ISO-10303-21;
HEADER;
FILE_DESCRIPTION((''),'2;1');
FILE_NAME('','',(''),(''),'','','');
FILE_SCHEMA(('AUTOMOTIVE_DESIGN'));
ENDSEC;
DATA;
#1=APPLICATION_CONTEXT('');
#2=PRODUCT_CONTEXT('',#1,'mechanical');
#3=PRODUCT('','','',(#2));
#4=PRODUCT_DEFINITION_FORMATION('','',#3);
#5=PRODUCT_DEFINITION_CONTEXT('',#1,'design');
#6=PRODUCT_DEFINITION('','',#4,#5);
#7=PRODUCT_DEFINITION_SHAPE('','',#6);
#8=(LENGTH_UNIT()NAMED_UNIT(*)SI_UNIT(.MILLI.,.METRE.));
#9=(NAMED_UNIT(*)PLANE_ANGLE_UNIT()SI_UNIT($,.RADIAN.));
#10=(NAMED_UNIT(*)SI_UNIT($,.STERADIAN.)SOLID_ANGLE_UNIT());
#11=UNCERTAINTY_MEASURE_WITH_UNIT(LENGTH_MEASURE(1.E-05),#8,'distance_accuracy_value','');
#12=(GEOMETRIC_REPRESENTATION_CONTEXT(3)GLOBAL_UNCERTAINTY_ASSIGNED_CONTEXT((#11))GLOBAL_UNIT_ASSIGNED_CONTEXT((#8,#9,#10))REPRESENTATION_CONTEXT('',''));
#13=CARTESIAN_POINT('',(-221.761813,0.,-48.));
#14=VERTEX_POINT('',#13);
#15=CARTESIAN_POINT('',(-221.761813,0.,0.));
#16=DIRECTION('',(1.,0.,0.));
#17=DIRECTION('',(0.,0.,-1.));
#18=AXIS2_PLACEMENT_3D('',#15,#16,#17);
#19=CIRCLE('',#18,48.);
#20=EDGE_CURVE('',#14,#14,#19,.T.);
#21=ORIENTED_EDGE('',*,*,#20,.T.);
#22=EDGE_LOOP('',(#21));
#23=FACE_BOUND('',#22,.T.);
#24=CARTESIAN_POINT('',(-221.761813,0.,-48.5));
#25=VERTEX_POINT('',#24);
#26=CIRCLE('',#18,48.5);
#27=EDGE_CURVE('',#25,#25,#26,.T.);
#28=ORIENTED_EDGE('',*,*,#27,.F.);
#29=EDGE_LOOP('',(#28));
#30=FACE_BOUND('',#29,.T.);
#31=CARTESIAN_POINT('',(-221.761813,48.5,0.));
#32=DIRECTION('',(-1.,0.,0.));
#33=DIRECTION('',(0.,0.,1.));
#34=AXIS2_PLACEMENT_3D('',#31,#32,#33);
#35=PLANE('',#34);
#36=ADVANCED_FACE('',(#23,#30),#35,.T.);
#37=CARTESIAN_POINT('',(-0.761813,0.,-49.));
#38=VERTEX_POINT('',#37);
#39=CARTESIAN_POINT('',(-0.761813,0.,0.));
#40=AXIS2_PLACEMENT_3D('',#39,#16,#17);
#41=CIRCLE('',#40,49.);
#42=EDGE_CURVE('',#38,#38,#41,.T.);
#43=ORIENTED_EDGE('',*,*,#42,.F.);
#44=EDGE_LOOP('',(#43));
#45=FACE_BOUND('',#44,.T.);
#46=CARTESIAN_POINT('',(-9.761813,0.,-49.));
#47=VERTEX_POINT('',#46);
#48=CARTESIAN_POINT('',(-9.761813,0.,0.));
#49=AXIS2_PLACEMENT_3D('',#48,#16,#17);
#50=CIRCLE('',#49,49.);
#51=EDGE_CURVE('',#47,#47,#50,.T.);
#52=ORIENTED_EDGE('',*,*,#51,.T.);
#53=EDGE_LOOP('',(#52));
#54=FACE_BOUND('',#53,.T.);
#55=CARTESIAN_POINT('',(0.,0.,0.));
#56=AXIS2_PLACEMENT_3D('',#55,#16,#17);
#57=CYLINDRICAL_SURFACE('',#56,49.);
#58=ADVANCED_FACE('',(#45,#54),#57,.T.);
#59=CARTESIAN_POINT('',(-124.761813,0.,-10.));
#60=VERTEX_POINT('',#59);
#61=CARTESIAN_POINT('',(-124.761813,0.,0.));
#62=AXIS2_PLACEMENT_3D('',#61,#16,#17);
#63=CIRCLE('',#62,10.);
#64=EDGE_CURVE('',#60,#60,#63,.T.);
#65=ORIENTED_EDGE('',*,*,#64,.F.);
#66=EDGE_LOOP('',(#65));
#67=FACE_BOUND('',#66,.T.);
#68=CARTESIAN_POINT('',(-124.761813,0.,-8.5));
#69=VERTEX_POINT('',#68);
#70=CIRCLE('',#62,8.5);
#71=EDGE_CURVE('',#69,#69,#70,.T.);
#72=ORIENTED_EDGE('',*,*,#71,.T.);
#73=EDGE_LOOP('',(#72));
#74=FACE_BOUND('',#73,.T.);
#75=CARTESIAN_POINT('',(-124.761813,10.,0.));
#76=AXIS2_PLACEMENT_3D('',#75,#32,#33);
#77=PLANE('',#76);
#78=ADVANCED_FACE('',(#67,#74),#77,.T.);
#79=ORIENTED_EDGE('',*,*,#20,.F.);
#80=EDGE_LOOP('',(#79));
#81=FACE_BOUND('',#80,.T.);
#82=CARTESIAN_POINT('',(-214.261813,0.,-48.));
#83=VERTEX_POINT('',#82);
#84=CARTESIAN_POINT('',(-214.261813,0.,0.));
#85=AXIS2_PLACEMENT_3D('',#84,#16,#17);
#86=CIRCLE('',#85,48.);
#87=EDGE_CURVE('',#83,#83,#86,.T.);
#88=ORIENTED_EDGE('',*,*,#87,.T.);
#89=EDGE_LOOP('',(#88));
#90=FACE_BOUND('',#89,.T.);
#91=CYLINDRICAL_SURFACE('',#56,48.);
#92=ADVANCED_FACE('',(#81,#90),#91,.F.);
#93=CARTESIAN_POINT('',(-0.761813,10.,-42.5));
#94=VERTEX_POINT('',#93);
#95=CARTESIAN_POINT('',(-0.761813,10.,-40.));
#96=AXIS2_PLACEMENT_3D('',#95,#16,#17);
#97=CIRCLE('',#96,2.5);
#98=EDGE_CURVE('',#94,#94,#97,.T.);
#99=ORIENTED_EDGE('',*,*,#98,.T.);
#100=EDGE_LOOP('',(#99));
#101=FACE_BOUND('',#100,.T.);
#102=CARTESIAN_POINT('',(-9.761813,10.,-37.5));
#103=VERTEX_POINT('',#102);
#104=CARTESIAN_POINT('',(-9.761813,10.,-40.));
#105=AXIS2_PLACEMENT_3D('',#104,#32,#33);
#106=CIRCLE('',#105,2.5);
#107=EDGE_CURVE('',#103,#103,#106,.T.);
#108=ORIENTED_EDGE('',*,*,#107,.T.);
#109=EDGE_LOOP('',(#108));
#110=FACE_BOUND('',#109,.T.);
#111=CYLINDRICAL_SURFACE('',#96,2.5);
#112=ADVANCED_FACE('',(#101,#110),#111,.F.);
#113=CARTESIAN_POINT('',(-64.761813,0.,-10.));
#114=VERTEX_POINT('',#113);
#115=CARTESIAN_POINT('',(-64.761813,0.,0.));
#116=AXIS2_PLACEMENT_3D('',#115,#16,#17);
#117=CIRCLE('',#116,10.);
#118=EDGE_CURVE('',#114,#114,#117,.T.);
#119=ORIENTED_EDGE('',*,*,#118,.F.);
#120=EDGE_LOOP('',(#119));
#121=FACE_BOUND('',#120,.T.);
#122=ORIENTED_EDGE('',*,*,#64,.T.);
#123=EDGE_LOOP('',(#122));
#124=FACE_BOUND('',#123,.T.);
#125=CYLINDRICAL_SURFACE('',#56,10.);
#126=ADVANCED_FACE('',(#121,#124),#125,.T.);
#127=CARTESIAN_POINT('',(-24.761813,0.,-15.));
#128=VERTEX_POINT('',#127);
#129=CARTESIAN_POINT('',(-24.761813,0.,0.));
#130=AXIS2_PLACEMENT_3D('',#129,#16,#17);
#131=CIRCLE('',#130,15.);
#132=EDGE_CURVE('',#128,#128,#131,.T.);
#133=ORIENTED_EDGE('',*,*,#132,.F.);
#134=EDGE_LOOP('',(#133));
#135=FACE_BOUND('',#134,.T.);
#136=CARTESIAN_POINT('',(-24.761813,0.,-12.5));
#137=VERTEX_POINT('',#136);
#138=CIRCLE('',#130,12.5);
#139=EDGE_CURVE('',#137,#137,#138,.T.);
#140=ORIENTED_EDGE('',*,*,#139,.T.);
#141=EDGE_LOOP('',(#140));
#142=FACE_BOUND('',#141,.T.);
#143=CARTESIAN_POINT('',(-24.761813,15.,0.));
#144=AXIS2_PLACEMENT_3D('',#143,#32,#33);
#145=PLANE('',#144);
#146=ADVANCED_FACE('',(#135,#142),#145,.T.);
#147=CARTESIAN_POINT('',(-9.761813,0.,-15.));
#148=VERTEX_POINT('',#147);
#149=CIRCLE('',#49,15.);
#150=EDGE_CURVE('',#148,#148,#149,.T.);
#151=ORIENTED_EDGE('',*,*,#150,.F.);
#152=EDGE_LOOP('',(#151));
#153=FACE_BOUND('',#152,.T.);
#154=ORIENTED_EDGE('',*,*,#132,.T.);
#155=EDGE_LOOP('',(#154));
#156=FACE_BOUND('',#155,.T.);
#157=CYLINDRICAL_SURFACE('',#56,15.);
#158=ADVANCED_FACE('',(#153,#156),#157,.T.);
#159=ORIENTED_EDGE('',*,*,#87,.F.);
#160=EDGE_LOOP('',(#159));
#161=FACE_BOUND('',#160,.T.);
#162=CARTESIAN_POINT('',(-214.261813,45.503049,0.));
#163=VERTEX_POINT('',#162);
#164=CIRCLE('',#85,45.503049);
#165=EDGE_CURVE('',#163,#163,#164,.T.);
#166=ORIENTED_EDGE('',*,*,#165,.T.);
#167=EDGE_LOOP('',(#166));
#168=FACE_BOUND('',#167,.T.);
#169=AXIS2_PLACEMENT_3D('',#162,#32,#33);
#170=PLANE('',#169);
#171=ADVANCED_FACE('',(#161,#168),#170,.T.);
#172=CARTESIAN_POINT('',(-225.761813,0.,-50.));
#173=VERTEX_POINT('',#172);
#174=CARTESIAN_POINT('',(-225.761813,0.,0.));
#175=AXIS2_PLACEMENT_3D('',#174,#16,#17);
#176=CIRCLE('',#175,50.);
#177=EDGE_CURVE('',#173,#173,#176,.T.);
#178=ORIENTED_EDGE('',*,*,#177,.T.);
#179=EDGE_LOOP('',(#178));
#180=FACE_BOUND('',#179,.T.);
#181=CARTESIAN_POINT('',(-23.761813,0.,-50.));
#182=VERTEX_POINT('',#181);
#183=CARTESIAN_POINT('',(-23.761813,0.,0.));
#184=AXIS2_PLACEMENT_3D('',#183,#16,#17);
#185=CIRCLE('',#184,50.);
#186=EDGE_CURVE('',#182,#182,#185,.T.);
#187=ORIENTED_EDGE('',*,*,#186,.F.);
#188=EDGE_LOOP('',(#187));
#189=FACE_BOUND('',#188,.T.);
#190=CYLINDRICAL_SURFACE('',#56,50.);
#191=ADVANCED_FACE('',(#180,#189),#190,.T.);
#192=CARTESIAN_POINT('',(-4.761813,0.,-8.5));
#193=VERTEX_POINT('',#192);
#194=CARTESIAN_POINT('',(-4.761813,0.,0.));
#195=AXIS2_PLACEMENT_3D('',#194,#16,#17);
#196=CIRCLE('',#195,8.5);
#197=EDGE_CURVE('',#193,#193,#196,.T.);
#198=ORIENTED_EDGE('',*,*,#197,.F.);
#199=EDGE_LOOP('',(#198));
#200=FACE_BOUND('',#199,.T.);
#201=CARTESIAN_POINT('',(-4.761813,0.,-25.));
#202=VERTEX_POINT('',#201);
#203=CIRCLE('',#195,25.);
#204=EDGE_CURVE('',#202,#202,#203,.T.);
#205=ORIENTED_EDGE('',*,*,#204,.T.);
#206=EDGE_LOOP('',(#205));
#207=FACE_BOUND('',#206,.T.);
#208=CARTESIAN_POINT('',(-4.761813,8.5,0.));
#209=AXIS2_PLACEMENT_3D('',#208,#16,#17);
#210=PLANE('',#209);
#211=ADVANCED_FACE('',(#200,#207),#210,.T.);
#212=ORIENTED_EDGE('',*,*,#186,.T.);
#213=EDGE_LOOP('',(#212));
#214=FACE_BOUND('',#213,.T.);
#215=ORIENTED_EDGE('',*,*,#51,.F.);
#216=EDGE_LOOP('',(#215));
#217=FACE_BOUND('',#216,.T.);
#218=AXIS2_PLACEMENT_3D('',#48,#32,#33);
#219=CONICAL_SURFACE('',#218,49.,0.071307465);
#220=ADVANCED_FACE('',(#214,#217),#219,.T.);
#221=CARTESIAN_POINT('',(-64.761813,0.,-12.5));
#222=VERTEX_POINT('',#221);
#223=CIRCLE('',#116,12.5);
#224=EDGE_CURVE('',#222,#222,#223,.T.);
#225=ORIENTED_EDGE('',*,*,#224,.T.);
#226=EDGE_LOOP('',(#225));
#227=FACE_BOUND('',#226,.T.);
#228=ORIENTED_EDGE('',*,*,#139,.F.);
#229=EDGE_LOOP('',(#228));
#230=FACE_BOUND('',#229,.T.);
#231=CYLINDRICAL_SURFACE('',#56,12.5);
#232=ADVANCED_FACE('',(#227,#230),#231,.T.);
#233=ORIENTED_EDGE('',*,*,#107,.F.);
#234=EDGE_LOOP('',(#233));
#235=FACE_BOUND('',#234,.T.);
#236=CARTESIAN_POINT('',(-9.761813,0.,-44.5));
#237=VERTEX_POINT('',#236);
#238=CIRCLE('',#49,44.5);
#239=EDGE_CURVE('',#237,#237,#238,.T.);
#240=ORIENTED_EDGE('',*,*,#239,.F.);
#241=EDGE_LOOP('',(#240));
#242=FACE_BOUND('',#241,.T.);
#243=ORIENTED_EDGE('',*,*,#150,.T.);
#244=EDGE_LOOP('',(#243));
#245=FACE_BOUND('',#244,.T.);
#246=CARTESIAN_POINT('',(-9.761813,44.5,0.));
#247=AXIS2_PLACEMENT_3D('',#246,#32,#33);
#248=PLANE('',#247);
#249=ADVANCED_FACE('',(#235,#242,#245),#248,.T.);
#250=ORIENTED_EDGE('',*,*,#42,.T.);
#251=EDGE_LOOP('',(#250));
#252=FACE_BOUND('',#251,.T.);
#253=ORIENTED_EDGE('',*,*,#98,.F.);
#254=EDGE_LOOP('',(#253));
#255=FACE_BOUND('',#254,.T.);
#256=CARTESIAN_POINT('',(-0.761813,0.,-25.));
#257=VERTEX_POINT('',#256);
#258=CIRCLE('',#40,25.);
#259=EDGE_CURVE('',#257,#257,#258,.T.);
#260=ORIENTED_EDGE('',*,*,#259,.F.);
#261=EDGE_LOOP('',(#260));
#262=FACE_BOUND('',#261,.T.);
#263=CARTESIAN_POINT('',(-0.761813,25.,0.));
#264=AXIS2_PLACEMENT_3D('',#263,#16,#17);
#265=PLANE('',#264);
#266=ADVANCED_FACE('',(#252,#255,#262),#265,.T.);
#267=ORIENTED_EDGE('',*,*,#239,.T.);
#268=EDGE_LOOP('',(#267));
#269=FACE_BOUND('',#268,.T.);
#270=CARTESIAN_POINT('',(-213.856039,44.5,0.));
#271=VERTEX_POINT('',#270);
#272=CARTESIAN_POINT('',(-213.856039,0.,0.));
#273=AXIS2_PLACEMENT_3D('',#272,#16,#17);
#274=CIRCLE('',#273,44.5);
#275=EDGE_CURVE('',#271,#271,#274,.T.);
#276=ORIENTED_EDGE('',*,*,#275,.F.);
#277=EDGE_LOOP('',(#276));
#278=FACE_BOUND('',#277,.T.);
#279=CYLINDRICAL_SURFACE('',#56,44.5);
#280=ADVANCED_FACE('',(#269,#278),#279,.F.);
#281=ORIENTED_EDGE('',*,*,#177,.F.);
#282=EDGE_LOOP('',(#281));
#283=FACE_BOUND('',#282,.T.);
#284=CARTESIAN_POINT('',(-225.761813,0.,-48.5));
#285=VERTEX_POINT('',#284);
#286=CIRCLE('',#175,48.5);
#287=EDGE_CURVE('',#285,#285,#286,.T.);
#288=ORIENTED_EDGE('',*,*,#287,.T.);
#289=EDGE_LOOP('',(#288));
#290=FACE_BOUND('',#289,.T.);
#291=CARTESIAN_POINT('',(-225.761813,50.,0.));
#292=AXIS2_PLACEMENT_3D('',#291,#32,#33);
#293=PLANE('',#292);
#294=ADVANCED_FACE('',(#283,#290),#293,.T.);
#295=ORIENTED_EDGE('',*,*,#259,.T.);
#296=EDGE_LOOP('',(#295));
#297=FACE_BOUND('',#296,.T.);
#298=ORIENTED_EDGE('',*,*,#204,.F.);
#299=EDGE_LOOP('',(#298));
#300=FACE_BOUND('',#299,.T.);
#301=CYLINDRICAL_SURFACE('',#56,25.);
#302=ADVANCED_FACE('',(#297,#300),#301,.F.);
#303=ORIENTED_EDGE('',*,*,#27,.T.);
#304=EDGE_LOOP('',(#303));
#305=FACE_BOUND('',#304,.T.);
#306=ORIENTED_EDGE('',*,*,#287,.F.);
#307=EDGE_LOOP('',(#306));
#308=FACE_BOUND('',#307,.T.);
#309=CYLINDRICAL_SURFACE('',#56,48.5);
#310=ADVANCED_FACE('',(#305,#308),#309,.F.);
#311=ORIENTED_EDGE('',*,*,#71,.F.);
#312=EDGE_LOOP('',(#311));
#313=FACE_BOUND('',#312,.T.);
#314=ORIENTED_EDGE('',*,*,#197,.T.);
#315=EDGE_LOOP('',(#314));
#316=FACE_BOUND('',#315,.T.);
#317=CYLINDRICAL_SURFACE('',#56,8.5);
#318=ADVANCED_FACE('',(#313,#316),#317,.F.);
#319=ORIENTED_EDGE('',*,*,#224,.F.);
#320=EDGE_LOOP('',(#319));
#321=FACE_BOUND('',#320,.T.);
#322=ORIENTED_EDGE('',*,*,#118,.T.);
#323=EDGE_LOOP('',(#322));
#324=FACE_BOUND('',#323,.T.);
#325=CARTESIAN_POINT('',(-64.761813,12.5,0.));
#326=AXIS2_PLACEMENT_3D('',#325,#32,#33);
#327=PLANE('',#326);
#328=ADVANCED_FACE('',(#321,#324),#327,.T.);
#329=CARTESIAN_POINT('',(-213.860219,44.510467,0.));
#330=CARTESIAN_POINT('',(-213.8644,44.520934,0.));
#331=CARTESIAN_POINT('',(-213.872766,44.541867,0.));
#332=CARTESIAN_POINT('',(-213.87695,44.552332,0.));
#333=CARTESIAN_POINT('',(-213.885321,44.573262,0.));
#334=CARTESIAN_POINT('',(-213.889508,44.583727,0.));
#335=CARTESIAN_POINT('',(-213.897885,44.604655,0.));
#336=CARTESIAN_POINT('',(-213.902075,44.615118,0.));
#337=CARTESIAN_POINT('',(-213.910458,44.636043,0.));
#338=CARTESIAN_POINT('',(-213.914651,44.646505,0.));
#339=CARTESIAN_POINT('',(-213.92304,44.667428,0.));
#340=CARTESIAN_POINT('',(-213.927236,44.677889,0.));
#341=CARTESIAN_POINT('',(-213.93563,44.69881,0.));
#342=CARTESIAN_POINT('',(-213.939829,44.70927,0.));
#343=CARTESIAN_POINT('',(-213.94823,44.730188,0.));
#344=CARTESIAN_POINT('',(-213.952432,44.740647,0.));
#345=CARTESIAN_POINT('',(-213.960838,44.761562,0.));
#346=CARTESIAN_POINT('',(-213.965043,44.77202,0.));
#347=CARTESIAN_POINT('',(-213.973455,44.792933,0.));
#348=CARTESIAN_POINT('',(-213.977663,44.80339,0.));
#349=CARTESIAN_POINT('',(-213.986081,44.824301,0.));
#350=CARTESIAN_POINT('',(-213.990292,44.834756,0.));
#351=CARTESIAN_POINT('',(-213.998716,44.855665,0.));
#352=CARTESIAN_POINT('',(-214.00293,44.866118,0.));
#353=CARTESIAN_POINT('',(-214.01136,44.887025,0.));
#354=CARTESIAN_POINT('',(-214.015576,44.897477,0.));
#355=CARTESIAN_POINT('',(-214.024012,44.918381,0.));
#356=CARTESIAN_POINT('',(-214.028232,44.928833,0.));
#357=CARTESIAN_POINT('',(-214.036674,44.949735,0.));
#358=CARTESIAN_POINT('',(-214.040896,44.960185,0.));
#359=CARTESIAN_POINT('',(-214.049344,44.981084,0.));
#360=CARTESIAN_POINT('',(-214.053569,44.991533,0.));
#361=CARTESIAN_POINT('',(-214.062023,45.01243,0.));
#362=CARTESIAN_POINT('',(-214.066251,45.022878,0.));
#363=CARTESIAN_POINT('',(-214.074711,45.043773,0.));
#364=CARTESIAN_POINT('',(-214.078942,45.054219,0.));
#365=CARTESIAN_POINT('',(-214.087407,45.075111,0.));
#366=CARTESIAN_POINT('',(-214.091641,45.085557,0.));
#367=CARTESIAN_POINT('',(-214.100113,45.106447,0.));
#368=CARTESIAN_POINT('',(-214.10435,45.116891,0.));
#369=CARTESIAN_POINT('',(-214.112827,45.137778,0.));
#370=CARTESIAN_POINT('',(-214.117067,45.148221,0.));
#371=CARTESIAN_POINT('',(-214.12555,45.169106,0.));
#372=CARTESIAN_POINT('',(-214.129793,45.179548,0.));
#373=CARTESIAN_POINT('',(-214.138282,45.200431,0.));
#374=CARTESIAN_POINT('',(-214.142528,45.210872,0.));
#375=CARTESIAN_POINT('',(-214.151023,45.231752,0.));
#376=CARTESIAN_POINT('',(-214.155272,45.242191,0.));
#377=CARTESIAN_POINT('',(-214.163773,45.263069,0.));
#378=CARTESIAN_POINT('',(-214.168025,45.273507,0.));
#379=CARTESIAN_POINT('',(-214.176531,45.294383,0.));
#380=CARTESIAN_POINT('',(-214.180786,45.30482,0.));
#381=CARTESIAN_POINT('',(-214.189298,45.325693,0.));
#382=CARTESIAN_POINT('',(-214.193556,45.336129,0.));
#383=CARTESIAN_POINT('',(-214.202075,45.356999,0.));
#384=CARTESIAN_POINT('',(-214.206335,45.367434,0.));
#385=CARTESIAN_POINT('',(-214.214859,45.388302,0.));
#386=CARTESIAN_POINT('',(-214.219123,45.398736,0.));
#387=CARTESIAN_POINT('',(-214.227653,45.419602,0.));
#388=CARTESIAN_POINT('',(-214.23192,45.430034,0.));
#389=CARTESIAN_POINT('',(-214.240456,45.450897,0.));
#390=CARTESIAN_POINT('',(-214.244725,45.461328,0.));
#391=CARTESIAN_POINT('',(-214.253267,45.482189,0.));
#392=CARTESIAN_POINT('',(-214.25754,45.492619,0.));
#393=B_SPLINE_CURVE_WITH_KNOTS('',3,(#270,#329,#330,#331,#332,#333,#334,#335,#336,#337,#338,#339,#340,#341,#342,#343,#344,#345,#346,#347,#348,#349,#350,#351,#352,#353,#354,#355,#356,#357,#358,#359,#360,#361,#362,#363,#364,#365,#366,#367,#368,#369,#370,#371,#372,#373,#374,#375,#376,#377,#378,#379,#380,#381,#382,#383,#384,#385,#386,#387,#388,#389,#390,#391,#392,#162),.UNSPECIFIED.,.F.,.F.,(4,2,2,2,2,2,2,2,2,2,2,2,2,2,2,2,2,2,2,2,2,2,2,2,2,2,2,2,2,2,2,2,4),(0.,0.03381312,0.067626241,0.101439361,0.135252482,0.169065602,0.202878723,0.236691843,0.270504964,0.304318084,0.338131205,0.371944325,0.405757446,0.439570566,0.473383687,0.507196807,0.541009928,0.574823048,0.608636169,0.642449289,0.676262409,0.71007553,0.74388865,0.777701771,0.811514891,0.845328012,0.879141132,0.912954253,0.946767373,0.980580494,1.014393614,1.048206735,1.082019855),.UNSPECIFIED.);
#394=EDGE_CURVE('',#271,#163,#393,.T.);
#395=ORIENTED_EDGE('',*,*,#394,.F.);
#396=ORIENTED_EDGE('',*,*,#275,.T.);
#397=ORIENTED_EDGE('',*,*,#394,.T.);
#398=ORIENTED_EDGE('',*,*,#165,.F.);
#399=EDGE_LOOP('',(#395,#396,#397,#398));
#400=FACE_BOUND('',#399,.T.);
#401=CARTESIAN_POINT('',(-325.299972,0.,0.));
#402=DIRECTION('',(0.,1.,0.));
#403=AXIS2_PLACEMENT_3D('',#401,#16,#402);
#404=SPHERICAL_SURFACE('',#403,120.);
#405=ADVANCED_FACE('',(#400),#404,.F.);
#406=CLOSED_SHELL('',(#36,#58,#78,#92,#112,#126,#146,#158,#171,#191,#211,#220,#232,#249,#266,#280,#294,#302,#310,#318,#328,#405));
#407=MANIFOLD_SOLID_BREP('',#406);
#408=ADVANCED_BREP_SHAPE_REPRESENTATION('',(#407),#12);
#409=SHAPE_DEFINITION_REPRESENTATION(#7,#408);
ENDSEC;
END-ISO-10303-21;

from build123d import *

# Parameters (mm, degrees)
TROU_TARAUD_M61_D = 5


with BuildPart() as part:
    # Esquisse1 → Révolution1 (revolve)
    with BuildSketch(Plane.XY, mode=Mode.PRIVATE) as r_volution1_sk:
        with BuildLine():
            Line((-0.761813432, 25), (-0.761813432, 49))
            Line((-0.761813432, 49), (-9.761813432, 49))
            Line((-9.761813432, 49), (-23.761813432, 50))
            Line((-23.761813432, 50), (-225.761813432, 50))
            Line((-225.761813432, 50), (-225.761813432, 48.5))
            Line((-225.761813432, 48.5), (-221.761813432, 48.5))
            Line((-221.761813432, 48.5), (-221.761813432, 48))
            Line((-221.761813432, 48), (-214.261813432, 48))
            Line((-214.261813432, 48), (-214.261813432, 45.503048629))
            ThreePointArc((-214.261813432, 45.503048629), (-214.05779592, 45.001981665), (-213.856039491, 44.5))
            Line((-213.856039491, 44.5), (-9.761813432, 44.5))
            Line((-9.761813432, 44.5), (-9.761813432, 15))
            Line((-9.761813432, 15), (-24.761813432, 15))
            Line((-24.761813432, 15), (-24.761813432, 12.5))
            Line((-24.761813432, 12.5), (-64.761813432, 12.5))
            Line((-64.761813432, 12.5), (-64.761813432, 10))
            Line((-64.761813432, 10), (-124.761813432, 10))
            Line((-124.761813432, 10), (-124.761813432, 8.5))
            Line((-124.761813432, 8.5), (-4.761813432, 8.5))
            Line((-4.761813432, 8.5), (-4.761813432, 25))
            Line((-4.761813432, 25), (-0.761813432, 25))
        make_face()
    revolve(r_volution1_sk.sketch.rotate(Axis((0, 0, 0), (-1, 0, 0)), 90), axis=Axis((0, 0, 0), (-1, 0, 0)))

    # Trou taraudé M61 (through all)
    with Locations(Plane(origin=(-0.761813432, 0, 0), x_dir=(0, 0, -1), z_dir=(1, 0, 0))):
        with Locations((40, 10)):
            Hole(TROU_TARAUD_M61_D / 2)


solid = part.part
